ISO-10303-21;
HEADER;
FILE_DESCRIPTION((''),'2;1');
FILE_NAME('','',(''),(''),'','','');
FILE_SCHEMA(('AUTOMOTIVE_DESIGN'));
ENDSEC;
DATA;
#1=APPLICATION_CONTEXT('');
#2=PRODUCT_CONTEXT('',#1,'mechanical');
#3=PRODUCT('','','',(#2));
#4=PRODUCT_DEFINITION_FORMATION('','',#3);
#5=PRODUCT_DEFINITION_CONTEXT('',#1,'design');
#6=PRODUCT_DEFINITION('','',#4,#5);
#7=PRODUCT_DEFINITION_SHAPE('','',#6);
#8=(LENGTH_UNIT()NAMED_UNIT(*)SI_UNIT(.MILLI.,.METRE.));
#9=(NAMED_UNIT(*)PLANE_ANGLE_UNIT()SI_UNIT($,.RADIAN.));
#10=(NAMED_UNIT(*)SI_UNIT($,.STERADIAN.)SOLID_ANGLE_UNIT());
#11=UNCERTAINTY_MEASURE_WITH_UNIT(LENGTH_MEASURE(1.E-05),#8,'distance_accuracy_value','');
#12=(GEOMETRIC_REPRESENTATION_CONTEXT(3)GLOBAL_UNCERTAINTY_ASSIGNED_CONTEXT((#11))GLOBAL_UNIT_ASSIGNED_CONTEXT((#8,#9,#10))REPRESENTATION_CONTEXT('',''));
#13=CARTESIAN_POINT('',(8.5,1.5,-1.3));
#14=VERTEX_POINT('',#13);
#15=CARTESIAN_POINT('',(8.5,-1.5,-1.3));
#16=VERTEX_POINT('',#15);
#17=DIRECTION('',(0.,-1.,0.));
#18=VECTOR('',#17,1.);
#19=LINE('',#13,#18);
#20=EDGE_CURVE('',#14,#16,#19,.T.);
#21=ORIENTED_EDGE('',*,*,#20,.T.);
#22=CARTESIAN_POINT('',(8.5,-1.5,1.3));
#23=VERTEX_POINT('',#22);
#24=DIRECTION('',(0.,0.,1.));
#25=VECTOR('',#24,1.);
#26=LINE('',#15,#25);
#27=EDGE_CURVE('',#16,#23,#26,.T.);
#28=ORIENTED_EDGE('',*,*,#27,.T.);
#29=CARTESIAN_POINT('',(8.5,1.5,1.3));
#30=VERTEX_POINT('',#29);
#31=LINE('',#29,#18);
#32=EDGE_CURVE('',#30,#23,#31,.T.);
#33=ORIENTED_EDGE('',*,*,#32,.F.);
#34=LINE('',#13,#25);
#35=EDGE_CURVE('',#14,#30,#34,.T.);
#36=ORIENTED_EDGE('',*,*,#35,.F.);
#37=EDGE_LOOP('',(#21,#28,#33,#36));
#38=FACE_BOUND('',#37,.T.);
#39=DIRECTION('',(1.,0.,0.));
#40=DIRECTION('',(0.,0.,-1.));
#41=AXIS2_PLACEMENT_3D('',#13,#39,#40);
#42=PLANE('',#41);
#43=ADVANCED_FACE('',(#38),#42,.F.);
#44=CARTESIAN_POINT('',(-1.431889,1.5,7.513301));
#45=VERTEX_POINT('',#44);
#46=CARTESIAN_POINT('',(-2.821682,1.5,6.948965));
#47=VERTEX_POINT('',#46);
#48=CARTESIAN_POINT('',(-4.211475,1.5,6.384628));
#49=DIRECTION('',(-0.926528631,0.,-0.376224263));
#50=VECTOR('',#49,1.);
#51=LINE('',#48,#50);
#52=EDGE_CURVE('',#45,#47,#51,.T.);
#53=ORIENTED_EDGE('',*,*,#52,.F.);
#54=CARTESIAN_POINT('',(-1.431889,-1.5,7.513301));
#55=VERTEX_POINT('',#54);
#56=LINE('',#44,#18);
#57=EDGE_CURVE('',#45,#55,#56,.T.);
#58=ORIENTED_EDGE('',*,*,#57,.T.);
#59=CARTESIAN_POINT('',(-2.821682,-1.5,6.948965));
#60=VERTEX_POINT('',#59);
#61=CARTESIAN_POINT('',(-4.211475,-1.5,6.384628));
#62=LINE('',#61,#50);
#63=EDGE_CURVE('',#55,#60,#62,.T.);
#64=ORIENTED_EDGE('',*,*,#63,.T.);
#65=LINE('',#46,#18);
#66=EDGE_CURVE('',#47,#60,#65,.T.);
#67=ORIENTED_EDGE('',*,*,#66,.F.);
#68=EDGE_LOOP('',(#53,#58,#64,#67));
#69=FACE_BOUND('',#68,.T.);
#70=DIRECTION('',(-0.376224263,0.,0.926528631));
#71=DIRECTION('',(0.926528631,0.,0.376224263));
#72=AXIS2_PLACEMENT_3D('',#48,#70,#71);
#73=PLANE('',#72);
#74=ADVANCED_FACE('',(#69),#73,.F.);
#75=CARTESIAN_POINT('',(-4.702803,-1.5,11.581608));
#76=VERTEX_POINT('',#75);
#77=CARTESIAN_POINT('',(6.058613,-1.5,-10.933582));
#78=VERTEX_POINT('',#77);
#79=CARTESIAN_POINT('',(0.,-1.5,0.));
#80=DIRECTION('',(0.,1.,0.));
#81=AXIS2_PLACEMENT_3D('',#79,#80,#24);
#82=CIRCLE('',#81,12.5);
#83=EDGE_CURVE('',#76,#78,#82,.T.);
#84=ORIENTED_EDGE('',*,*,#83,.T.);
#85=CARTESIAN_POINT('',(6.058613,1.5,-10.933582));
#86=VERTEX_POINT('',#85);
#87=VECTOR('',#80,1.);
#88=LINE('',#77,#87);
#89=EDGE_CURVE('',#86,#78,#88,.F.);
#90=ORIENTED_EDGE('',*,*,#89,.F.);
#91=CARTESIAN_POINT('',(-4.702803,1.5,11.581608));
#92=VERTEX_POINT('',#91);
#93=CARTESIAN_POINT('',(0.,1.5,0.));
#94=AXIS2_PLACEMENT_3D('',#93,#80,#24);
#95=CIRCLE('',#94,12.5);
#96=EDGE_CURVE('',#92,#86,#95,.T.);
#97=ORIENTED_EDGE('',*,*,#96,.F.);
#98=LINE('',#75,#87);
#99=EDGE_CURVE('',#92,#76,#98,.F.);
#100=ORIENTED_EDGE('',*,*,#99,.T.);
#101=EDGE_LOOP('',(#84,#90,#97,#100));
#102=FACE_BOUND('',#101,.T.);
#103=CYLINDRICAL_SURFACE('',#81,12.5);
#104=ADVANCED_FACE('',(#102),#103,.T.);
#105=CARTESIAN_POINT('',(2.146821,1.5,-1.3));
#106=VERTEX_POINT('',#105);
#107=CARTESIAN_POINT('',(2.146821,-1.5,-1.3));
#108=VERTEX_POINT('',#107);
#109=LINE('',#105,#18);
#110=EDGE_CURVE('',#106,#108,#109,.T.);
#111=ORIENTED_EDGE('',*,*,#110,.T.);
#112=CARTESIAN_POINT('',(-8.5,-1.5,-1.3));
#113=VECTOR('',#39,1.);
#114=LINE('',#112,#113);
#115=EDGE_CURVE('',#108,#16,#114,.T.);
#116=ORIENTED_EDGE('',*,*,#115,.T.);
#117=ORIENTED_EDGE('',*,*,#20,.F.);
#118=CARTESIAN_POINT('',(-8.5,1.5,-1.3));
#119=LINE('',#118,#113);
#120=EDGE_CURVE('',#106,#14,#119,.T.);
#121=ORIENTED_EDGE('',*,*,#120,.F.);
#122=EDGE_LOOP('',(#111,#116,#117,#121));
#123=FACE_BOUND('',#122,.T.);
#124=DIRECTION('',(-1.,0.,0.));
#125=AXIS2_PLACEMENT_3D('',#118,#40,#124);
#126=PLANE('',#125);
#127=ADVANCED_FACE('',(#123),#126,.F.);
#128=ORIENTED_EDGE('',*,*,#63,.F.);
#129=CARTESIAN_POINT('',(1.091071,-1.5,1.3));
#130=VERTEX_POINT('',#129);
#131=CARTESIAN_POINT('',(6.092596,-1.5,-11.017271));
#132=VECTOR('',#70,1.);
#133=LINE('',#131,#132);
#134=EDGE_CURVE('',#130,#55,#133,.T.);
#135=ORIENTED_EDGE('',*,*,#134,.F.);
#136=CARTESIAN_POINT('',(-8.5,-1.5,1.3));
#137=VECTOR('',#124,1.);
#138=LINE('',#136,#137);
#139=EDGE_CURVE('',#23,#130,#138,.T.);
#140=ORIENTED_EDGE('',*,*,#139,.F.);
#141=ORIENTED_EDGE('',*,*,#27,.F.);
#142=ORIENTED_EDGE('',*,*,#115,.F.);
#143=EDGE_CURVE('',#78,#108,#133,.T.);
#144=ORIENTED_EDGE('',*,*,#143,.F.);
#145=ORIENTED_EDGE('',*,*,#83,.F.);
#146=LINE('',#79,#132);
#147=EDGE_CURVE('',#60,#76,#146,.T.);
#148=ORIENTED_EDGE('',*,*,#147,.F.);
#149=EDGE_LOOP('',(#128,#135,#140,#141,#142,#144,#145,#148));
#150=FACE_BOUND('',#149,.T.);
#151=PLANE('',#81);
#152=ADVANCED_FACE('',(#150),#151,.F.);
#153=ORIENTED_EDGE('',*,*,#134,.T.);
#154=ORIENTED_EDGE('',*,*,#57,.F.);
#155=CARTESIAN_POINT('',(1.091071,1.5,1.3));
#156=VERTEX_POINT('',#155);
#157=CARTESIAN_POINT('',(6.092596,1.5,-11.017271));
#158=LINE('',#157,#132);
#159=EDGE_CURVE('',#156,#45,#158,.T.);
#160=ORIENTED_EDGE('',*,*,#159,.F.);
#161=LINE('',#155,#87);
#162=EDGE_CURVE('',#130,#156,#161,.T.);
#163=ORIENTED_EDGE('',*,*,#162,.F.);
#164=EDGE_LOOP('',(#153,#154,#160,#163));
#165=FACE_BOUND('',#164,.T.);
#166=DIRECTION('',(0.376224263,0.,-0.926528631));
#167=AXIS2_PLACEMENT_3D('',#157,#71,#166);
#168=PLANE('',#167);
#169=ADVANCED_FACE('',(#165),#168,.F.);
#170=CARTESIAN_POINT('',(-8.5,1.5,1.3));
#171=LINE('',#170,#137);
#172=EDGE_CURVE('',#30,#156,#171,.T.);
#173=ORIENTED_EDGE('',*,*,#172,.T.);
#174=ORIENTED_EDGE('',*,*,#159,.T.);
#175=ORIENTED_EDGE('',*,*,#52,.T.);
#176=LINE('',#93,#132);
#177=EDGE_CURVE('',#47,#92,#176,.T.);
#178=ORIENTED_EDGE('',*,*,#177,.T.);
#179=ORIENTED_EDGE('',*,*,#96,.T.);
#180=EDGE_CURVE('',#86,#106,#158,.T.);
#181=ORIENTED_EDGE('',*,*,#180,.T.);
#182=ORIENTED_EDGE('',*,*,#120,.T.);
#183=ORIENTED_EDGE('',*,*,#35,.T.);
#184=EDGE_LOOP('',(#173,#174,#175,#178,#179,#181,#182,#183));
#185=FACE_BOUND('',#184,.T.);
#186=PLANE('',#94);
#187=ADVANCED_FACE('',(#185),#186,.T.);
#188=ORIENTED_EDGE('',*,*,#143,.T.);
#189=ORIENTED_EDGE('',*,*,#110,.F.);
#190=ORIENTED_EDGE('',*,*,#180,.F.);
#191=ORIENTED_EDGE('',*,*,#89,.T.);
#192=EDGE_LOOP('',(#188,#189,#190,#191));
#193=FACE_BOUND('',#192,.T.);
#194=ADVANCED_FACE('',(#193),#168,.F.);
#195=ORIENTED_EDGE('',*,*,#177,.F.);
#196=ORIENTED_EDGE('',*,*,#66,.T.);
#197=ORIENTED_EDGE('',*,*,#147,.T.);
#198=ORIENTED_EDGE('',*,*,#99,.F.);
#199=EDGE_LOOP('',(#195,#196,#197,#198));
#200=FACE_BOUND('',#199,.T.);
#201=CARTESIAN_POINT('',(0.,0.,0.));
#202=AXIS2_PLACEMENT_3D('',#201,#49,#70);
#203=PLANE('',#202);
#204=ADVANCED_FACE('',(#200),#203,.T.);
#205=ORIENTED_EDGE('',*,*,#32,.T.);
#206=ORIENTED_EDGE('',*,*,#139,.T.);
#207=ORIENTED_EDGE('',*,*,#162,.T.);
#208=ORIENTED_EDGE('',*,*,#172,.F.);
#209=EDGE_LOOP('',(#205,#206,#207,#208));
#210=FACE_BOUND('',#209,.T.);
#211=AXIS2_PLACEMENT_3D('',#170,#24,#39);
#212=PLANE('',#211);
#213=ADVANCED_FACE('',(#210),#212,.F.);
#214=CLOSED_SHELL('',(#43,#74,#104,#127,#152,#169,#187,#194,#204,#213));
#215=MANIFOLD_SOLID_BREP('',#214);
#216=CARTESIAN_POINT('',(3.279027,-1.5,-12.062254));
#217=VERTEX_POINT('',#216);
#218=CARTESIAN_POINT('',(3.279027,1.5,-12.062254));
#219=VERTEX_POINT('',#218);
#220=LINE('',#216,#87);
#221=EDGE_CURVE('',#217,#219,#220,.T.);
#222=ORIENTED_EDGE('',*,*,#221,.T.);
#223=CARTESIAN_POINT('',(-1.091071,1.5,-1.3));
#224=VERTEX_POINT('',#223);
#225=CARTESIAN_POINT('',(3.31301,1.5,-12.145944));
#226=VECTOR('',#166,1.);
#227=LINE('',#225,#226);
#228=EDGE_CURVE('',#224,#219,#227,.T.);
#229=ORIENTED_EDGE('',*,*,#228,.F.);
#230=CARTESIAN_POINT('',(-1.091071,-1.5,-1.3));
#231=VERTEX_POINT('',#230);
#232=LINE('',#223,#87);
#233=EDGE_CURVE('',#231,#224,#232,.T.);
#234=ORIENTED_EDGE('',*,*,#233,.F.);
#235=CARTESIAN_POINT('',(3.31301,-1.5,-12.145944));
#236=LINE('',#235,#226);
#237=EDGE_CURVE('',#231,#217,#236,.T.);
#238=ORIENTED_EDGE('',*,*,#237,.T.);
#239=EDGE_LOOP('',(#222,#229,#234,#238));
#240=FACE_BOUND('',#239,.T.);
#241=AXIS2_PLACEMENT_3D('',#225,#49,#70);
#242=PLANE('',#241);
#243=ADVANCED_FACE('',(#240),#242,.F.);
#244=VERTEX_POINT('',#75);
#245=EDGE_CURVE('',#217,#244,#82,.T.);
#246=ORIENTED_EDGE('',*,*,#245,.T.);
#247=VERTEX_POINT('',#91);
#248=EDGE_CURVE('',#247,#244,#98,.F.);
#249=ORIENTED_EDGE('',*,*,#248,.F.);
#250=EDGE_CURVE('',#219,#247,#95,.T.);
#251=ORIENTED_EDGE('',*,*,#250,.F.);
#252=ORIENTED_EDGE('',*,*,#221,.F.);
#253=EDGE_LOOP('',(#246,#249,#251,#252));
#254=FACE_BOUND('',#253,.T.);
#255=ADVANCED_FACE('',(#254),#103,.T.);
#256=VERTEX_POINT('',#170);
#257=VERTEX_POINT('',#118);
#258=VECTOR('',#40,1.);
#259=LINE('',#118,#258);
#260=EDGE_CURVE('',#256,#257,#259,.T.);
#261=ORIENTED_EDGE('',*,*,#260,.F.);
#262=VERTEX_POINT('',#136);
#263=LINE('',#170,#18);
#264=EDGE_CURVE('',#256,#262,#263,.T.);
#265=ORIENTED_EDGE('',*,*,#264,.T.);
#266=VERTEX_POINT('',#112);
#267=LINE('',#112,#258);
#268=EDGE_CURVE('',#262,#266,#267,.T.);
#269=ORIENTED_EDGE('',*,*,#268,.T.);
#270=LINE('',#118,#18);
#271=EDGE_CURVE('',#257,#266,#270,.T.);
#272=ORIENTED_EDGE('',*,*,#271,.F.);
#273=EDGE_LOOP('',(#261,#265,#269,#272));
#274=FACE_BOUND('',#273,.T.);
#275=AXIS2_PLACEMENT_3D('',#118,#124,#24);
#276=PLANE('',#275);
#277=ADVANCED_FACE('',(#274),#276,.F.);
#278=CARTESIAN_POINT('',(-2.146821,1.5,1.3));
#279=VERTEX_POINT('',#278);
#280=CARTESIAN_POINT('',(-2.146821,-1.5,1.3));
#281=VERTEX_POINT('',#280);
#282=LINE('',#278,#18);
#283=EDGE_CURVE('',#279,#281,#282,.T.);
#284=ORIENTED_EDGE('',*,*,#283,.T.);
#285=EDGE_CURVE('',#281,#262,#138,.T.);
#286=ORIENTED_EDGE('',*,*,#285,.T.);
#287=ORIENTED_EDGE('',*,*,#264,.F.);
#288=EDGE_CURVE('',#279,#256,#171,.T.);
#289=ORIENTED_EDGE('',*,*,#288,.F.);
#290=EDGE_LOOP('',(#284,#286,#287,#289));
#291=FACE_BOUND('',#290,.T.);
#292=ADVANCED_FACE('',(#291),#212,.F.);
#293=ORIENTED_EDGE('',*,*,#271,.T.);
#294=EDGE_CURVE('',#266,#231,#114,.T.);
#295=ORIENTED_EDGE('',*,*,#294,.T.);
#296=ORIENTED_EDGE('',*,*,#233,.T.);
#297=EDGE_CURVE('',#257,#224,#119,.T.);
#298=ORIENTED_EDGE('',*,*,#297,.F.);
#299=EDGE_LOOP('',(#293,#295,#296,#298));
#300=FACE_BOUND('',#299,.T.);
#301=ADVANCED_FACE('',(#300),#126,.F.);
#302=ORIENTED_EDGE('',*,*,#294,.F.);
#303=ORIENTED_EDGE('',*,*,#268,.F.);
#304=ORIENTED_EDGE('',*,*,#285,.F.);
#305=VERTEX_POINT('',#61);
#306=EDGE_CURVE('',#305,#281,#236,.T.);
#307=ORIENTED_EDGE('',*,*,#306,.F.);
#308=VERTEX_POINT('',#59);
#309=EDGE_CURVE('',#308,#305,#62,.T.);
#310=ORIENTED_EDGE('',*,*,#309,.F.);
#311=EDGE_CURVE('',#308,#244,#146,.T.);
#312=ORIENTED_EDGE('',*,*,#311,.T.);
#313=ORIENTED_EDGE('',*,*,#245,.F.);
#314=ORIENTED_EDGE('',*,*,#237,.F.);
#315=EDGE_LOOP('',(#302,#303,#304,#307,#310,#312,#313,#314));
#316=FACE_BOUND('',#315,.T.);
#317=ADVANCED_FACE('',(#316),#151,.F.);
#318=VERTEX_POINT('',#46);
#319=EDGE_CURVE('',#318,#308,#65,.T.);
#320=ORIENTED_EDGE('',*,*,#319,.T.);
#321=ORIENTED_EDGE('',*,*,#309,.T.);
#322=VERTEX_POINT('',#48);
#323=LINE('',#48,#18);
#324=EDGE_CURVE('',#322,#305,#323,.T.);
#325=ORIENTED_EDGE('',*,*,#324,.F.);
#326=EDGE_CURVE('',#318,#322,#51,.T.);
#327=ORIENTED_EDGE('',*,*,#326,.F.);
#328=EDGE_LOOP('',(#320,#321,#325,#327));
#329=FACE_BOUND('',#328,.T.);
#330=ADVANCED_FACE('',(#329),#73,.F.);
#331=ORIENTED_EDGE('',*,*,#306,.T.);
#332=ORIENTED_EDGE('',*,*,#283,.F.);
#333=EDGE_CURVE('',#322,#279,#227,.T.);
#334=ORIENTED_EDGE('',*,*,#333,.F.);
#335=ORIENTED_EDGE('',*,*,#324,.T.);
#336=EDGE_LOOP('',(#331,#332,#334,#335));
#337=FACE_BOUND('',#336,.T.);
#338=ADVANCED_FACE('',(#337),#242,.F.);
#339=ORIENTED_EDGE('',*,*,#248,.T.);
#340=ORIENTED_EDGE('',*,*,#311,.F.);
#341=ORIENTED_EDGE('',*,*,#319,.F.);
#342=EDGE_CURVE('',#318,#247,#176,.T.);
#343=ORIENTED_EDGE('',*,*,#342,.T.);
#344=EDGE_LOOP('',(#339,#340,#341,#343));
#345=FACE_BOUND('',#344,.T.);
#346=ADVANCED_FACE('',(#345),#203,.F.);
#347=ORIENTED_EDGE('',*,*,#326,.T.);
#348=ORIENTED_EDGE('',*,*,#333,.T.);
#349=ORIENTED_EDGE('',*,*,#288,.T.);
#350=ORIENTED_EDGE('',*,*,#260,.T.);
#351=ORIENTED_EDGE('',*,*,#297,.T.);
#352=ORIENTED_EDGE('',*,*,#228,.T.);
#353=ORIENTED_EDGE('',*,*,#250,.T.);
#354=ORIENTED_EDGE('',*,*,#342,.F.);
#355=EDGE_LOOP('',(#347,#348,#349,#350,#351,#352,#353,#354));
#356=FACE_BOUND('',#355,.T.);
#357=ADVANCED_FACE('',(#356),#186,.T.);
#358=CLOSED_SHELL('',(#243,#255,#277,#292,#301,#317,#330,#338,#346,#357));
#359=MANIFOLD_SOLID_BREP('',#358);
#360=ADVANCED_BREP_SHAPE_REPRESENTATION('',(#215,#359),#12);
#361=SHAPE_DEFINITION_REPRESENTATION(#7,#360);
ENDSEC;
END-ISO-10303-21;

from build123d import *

# Parameters (mm, degrees)
BOSS_EXTRUDE1_DEPTH      = 1.5
BOSS_EXTRUDE1_DEPTH_BACK = 1.5
SKETCH1_R                = 12.5
SKETCH2_W                = 17
SKETCH2_H                = 2.6
CUT_EXTRUDE1_DEPTH       = 18.930421077
CUT_EXTRUDE2_DEPTH       = 18.741194999
CUT_EXTRUDE2_DEPTH_BACK  = 18.741194999


with BuildPart() as part:
    # Sketch1 → Boss-Extrude1 (new, two sides: drawn at the far end of the back side and taken through both)
    with BuildSketch(Plane(origin=(0, 0, 0), x_dir=(1, 0, 0), z_dir=(0, 1, 0)).offset(-BOSS_EXTRUDE1_DEPTH_BACK)):
        Circle(SKETCH1_R)
    extrude(amount=BOSS_EXTRUDE1_DEPTH + BOSS_EXTRUDE1_DEPTH_BACK)

    # Sketch2 → Cut-Extrude1 (cut, through all)
    with BuildSketch(Plane.XZ.offset(1.5)):
        Rectangle(SKETCH2_W, SKETCH2_H)
    extrude(amount=-CUT_EXTRUDE1_DEPTH, mode=Mode.SUBTRACT)

    # Sketch3 → Cut-Extrude2 (cut, two sides: drawn at the far end of the back side and taken through both)
    with BuildSketch(Plane.XZ.offset(-CUT_EXTRUDE2_DEPTH_BACK)):
        Polygon((3.313010343, -12.145944281), (-4.21147492, 6.384628337), (-1.431889027, 7.513301126), (6.092596236, -11.017271491), align=None)
    extrude(amount=CUT_EXTRUDE2_DEPTH + CUT_EXTRUDE2_DEPTH_BACK, mode=Mode.SUBTRACT)


with BuildPart() as body_2:
    # Split2: the piece on the far side of the plane
    add(part.part)
    split(bisect_by=Plane(origin=(0, 0, 0), x_dir=(0.3762242631393602, 0, -0.9265286308718395), z_dir=(-0.9265286308718397, 0, -0.37622426313936025)), keep=Keep.BOTTOM)


with BuildPart() as part_1:
    add(part.part)

    # Split2
    split(bisect_by=Plane(origin=(0, 0, 0), x_dir=(0.3762242631393602, 0, -0.9265286308718395), z_dir=(-0.9265286308718397, 0, -0.37622426313936025)), keep=Keep.TOP)


solid = Compound([body_2.part, part_1.part])
